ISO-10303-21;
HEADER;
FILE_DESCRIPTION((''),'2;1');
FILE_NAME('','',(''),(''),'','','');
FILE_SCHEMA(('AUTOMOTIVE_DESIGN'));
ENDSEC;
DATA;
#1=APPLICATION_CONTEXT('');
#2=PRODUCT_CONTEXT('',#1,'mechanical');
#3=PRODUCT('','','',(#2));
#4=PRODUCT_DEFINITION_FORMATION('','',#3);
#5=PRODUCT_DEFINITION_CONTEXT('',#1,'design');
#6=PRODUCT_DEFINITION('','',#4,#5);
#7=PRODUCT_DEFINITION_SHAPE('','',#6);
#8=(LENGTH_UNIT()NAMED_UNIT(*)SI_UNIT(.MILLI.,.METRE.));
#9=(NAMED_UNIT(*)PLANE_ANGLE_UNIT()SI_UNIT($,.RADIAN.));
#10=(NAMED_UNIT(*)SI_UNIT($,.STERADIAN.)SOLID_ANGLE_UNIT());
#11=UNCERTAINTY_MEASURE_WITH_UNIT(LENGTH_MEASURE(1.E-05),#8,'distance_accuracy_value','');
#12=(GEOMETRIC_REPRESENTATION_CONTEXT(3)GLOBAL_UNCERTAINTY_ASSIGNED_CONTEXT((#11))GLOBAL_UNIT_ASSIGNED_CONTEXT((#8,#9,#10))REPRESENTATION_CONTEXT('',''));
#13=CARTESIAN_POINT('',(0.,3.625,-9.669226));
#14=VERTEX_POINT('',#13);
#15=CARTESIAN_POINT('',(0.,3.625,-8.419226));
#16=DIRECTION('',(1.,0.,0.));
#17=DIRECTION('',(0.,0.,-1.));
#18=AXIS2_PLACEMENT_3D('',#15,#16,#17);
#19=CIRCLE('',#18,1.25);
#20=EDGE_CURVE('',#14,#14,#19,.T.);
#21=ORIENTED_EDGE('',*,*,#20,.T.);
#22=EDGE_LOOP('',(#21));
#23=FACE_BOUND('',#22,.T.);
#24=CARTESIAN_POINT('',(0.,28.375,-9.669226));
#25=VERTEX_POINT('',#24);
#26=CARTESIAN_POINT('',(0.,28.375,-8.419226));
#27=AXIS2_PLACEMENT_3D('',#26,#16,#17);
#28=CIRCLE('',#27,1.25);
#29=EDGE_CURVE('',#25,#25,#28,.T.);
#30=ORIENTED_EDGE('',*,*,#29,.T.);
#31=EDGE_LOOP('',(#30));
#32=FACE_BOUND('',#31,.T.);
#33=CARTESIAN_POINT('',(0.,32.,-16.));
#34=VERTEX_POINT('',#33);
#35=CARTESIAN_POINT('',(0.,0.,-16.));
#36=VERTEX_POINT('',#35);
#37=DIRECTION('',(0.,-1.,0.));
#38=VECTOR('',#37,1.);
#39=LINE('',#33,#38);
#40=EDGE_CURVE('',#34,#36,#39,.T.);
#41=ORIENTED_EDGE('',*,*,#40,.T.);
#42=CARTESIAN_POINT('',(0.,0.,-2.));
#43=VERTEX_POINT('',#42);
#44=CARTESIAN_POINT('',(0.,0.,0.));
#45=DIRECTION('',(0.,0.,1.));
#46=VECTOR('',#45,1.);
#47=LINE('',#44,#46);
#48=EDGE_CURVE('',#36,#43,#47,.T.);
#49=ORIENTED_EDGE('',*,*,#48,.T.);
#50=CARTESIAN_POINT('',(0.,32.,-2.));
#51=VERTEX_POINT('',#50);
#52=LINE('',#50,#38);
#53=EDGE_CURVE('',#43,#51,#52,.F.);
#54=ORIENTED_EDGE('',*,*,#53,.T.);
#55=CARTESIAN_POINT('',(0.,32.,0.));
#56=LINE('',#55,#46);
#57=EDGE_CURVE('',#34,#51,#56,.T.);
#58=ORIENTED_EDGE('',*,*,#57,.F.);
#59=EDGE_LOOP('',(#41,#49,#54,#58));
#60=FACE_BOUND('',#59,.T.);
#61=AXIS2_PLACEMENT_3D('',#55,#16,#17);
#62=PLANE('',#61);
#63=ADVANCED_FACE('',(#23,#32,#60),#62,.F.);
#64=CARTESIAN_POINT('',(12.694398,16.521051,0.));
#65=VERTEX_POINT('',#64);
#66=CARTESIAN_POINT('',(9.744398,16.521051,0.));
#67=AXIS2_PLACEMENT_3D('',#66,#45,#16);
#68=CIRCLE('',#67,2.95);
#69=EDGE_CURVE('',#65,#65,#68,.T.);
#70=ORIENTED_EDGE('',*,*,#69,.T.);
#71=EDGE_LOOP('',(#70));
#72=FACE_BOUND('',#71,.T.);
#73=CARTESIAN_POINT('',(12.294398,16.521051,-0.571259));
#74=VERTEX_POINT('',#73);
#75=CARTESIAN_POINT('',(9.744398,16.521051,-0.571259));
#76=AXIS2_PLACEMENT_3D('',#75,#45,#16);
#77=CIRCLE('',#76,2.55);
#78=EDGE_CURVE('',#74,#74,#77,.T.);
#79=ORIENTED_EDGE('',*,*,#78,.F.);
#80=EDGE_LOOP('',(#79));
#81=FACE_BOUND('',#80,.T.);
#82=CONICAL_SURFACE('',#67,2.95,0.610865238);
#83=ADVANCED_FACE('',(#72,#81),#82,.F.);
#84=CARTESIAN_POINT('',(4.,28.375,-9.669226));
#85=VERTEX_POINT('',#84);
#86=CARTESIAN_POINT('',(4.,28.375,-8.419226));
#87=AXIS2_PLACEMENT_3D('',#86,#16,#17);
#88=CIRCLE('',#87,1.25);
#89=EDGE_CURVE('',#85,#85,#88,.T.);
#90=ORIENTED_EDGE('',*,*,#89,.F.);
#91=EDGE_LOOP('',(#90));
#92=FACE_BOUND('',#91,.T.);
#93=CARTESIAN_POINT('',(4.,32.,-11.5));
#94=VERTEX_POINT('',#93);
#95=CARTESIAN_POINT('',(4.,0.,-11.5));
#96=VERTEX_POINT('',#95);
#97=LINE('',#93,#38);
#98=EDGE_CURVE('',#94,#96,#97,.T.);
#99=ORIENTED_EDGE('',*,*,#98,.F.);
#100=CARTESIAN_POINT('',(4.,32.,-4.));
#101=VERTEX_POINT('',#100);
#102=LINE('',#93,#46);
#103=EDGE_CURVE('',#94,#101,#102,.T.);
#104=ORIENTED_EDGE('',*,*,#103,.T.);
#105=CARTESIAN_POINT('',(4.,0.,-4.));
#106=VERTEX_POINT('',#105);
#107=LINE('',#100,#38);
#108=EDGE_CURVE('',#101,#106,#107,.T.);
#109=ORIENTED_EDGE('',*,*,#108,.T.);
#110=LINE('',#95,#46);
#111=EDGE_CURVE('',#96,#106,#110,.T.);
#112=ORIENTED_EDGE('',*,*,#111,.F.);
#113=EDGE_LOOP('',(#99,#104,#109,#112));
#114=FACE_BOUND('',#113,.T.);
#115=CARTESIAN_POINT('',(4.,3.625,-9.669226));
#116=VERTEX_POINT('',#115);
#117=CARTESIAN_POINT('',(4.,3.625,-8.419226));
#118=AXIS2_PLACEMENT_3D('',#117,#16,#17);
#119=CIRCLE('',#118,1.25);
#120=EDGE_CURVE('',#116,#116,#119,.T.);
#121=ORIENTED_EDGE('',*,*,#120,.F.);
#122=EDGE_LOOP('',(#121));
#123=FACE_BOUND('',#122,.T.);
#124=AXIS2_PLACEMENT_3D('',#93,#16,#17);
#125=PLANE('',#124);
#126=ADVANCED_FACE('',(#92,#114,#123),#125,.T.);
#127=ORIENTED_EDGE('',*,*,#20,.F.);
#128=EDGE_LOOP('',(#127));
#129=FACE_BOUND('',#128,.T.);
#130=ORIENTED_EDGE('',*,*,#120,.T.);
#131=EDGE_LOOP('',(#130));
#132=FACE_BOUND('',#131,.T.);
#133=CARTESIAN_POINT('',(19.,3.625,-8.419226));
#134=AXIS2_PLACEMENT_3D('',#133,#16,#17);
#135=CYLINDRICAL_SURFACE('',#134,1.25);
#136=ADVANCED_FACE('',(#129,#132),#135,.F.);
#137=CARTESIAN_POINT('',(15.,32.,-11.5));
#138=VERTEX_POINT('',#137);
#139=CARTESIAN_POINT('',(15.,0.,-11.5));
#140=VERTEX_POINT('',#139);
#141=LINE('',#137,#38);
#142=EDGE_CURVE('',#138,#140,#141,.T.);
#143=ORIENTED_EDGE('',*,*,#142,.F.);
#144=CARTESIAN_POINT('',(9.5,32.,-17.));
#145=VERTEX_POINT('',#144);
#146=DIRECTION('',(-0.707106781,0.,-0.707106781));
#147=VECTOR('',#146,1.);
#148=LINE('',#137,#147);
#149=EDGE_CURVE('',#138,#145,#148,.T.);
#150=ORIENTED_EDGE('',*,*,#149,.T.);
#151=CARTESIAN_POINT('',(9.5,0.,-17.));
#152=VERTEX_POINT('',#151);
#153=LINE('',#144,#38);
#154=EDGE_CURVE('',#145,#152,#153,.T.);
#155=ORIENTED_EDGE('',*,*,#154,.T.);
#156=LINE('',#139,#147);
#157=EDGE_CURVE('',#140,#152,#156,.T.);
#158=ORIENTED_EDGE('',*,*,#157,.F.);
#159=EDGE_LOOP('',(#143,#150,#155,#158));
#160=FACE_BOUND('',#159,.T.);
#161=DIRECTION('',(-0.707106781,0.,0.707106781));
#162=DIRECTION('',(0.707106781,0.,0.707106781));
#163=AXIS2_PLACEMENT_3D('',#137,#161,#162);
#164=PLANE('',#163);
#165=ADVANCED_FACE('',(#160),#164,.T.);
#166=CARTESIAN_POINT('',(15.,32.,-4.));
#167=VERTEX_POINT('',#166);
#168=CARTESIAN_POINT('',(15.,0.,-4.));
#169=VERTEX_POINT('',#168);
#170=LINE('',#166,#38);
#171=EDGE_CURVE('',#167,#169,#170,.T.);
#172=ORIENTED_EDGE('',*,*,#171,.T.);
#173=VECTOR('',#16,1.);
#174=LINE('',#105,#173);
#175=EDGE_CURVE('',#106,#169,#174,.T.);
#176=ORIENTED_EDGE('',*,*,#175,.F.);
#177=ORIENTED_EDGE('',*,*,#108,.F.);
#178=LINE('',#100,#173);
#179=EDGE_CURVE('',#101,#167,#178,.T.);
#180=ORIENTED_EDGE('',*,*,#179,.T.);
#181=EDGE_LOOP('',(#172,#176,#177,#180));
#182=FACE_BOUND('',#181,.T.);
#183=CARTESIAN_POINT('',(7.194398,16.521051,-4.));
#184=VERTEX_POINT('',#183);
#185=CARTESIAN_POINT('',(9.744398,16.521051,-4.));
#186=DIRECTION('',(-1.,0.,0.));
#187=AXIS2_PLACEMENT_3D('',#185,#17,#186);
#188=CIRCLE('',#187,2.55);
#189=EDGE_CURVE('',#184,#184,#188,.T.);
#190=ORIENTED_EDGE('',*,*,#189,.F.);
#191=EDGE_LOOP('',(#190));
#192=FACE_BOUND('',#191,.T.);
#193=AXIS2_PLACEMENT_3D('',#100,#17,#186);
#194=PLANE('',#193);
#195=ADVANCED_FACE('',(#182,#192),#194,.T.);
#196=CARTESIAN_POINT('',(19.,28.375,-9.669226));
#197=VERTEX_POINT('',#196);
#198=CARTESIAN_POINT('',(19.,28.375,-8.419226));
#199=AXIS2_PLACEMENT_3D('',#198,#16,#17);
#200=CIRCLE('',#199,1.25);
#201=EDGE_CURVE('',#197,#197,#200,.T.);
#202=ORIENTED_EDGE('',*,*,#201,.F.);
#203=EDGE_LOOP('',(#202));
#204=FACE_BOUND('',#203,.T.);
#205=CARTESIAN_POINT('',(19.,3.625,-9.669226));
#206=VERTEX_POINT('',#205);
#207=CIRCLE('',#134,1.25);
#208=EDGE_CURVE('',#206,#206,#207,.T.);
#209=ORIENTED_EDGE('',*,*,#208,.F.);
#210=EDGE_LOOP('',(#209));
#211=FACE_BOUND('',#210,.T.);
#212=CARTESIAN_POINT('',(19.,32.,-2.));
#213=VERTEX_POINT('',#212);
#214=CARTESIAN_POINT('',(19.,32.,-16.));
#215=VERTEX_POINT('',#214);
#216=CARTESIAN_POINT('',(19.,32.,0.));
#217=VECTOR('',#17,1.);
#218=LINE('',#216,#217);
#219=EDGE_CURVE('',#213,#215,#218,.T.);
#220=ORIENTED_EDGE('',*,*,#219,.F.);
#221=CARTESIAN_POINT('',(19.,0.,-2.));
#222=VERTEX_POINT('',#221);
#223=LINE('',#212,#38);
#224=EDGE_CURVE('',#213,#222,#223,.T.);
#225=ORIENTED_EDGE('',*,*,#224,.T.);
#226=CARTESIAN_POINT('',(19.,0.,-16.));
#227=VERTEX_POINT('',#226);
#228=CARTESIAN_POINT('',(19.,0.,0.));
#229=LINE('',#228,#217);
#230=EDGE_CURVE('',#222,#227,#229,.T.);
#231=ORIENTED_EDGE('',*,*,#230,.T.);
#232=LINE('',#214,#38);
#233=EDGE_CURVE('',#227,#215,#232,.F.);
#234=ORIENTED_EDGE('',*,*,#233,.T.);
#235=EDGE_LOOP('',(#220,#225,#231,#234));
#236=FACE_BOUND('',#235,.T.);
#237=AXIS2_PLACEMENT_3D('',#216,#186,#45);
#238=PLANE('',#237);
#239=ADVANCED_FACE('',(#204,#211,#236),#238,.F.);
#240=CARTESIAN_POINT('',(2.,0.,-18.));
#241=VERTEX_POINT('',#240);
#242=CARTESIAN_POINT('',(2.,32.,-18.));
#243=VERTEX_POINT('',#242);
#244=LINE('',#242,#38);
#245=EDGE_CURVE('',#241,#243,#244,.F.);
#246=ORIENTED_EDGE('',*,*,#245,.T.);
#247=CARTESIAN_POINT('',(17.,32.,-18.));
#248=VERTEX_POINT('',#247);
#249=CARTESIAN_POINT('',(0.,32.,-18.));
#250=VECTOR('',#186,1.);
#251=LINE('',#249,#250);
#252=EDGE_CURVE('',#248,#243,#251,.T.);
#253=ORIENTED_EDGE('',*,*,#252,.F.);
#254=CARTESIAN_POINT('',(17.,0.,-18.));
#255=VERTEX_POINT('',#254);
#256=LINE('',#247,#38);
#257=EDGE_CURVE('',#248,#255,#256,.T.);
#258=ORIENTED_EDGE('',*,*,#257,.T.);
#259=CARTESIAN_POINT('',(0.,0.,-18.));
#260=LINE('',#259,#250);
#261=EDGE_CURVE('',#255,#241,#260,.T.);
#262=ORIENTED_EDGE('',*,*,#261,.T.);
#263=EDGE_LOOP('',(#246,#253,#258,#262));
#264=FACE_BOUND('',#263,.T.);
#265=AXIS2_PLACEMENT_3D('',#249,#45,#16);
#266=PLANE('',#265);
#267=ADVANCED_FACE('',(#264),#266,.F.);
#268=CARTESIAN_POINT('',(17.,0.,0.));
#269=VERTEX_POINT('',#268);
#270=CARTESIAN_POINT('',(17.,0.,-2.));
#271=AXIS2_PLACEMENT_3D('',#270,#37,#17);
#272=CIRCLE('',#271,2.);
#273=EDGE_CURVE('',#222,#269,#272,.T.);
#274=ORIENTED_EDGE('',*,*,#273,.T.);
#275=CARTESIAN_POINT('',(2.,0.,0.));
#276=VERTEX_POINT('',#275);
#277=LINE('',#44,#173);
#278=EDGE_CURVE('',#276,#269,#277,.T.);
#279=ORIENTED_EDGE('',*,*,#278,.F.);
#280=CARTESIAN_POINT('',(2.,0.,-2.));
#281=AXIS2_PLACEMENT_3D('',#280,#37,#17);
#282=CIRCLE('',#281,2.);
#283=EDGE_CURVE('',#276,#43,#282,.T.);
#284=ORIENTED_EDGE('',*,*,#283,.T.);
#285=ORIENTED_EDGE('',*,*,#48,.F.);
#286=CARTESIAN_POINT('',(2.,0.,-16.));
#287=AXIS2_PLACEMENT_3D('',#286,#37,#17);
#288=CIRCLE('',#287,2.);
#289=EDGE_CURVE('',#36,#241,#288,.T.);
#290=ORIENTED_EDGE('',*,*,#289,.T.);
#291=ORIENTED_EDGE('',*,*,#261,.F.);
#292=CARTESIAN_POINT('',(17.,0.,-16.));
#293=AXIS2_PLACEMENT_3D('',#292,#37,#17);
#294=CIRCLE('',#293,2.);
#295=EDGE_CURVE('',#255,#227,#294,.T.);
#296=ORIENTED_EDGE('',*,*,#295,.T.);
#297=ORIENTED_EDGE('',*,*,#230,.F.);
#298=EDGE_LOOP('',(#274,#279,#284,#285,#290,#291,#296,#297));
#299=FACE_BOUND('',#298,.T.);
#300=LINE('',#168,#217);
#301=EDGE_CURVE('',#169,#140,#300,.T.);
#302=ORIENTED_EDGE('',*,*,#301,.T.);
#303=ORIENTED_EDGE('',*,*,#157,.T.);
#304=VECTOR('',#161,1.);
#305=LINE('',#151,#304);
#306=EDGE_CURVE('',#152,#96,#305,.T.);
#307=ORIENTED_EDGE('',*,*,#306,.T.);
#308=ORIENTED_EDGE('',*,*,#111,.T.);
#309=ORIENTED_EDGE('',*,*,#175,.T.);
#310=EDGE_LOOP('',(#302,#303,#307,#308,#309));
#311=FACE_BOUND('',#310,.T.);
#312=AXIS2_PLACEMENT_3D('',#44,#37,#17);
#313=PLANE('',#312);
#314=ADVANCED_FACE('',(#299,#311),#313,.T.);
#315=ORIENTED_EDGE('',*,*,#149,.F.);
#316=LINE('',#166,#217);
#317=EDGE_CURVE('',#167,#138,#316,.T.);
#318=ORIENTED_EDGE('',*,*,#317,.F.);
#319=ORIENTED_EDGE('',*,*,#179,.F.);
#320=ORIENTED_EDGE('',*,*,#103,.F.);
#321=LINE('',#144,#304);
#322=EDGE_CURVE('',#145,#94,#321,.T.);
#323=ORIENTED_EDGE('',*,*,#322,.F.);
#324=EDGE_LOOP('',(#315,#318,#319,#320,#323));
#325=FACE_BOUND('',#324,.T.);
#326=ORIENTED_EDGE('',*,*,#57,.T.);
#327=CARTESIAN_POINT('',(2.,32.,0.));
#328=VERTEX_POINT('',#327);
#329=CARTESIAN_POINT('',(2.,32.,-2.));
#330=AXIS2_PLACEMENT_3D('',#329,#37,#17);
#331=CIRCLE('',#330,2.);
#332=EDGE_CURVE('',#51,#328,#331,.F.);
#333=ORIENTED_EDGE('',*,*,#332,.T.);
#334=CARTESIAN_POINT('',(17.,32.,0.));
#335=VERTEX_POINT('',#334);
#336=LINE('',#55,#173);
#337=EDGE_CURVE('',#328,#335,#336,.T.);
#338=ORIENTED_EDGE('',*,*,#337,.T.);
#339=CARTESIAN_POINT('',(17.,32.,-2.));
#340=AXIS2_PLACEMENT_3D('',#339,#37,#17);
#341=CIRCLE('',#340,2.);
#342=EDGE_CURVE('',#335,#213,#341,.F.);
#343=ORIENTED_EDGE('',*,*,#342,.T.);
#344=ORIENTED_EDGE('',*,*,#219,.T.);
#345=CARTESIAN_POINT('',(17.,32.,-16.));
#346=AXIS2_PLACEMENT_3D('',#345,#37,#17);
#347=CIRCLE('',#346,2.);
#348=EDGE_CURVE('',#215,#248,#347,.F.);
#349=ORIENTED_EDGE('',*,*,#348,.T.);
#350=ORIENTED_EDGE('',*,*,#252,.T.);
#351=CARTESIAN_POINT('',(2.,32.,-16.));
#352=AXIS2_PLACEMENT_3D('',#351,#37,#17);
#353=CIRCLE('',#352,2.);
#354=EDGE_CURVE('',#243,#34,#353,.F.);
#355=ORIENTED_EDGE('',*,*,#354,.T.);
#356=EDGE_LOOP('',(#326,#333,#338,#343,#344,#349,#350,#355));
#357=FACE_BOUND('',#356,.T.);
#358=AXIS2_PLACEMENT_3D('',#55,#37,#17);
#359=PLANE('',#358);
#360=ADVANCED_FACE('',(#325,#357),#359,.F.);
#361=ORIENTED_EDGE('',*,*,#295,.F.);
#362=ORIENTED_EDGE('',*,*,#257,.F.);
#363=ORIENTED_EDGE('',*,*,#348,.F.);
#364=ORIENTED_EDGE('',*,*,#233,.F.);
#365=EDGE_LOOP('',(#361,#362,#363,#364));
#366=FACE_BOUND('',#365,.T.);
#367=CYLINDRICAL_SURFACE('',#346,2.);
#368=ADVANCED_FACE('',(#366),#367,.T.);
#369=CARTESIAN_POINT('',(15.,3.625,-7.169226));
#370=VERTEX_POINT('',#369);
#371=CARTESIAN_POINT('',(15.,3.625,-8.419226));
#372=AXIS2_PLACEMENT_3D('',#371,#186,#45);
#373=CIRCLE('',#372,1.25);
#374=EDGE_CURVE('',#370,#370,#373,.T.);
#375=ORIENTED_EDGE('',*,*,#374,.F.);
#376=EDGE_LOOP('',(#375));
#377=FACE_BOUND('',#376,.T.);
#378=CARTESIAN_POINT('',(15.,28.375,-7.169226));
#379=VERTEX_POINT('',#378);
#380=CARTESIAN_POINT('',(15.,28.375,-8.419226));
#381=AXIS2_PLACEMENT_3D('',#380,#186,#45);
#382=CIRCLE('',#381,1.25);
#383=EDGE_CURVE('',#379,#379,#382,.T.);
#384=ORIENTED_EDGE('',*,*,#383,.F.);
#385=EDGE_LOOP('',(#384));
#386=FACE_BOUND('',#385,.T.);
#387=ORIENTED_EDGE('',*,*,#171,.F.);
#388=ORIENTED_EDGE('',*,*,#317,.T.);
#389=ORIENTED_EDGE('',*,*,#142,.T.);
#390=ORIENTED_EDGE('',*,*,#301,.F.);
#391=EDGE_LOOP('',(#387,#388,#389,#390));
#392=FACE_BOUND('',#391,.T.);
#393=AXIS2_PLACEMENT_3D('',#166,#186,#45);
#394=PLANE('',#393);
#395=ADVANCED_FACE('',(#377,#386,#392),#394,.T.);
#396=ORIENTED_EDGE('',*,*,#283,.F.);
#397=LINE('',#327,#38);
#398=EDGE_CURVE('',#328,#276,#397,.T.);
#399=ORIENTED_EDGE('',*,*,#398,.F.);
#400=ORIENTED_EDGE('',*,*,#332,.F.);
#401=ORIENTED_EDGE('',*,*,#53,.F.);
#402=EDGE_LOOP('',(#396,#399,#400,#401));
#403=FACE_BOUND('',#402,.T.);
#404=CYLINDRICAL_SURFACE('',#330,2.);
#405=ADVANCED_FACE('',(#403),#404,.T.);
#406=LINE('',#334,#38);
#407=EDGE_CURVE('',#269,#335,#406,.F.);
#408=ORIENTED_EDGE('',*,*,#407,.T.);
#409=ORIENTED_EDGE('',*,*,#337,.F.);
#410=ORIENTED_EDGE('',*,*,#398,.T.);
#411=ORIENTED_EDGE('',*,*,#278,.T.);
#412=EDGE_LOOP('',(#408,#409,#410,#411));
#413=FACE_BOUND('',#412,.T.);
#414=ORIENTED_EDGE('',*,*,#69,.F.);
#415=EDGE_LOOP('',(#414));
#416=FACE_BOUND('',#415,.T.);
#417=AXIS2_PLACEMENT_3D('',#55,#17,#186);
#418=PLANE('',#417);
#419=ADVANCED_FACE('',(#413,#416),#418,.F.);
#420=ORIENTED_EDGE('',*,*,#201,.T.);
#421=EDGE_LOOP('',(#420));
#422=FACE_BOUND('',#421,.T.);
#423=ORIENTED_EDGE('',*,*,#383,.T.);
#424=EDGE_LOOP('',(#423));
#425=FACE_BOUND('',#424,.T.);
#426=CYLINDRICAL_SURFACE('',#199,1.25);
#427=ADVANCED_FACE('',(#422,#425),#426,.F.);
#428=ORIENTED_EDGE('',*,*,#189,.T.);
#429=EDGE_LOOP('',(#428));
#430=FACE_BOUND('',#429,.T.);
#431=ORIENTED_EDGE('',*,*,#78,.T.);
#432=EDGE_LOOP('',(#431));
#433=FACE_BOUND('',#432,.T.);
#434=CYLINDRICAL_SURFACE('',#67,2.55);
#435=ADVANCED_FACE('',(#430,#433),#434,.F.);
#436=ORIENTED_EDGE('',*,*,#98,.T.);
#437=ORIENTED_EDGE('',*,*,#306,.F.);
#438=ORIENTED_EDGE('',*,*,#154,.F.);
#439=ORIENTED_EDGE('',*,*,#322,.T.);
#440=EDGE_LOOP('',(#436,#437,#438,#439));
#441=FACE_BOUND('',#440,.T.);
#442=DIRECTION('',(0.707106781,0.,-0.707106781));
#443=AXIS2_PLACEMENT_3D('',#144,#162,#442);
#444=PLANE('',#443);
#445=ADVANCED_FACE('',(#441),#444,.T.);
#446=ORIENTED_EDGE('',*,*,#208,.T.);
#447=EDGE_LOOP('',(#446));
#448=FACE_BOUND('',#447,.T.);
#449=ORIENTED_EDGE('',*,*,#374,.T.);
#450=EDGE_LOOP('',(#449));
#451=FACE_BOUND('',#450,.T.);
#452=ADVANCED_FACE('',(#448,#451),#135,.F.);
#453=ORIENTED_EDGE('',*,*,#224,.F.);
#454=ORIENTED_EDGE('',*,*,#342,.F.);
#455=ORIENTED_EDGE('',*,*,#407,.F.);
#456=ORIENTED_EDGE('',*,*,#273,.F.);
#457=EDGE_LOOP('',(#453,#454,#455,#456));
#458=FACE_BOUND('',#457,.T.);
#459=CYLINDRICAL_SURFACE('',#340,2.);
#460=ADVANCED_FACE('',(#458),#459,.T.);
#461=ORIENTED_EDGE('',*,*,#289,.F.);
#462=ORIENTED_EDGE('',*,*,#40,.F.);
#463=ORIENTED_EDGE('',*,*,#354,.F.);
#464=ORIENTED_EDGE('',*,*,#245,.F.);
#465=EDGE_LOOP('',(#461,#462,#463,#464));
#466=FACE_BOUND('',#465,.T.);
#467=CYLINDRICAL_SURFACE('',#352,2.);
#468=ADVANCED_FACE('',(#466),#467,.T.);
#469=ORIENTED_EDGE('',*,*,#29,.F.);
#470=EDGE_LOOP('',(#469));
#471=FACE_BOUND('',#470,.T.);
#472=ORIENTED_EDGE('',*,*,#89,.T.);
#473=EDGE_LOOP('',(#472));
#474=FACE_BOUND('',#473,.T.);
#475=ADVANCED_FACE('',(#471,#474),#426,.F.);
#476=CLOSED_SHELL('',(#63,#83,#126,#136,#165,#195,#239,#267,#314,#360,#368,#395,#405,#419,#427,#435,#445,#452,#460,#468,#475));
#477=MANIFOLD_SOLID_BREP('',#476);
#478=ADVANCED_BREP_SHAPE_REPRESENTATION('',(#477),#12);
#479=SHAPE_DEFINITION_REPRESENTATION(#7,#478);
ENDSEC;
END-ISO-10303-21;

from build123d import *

# Parameters (mm, degrees)
SKETCH1_W                   = 19
SKETCH1_H                   = 18
BOSS_EXTRUDE1_DEPTH         = 32
TAP_DRILL_FOR_M3X0_5_TAP1_D = 2.5
FILLET1_R                   = 2


with BuildPart() as part:
    # Sketch1 → Boss-Extrude1 (new body)
    with BuildSketch(Plane(origin=(0, 0, 0), x_dir=(1, 0, 0), z_dir=(0, 1, 0))):
        with Locations((9.5, 9)):
            Rectangle(SKETCH1_W, SKETCH1_H)
        Polygon((4, 4), (15, 4), (15, 11.5), (9.5, 17), (4, 11.5), align=None, mode=Mode.SUBTRACT)
    extrude(amount=BOSS_EXTRUDE1_DEPTH)

    # Tap Drill for M3x0.5 Tap1 (through all)
    with Locations(Plane(origin=(19, 0, 0), x_dir=(0, 0, -1), z_dir=(1, 0, 0))):
        with Locations((8.419226219, 28.375), (8.419226219, 3.625)):
            Hole(TAP_DRILL_FOR_M3X0_5_TAP1_D / 2)

    # Fillet1
    fillet1_edges = [part.edges().sort_by_distance(p)[0] for p in [
        (0, 16, -18),
        (19, 16, -18),
        (19, 16, 0),
        (0, 16, 0),
    ]]
    fillet(fillet1_edges, radius=FILLET1_R)

    # Sketch5 → M5 Clearance Hole1 (revolve, cut)
    with BuildSketch(Plane(origin=(9.744397645, 16.5210513, 0), x_dir=(0, -1, 0), z_dir=(1, 0, 0))):
        Polygon((0, 0), (0, 4), (2.55, 4), (2.55, 0.571259203), (2.95, 0), align=None)
    revolve(axis=Axis((9.744397645, 16.5210513, 6.35), (0, 0, -1)), mode=Mode.SUBTRACT)


solid = part.part
